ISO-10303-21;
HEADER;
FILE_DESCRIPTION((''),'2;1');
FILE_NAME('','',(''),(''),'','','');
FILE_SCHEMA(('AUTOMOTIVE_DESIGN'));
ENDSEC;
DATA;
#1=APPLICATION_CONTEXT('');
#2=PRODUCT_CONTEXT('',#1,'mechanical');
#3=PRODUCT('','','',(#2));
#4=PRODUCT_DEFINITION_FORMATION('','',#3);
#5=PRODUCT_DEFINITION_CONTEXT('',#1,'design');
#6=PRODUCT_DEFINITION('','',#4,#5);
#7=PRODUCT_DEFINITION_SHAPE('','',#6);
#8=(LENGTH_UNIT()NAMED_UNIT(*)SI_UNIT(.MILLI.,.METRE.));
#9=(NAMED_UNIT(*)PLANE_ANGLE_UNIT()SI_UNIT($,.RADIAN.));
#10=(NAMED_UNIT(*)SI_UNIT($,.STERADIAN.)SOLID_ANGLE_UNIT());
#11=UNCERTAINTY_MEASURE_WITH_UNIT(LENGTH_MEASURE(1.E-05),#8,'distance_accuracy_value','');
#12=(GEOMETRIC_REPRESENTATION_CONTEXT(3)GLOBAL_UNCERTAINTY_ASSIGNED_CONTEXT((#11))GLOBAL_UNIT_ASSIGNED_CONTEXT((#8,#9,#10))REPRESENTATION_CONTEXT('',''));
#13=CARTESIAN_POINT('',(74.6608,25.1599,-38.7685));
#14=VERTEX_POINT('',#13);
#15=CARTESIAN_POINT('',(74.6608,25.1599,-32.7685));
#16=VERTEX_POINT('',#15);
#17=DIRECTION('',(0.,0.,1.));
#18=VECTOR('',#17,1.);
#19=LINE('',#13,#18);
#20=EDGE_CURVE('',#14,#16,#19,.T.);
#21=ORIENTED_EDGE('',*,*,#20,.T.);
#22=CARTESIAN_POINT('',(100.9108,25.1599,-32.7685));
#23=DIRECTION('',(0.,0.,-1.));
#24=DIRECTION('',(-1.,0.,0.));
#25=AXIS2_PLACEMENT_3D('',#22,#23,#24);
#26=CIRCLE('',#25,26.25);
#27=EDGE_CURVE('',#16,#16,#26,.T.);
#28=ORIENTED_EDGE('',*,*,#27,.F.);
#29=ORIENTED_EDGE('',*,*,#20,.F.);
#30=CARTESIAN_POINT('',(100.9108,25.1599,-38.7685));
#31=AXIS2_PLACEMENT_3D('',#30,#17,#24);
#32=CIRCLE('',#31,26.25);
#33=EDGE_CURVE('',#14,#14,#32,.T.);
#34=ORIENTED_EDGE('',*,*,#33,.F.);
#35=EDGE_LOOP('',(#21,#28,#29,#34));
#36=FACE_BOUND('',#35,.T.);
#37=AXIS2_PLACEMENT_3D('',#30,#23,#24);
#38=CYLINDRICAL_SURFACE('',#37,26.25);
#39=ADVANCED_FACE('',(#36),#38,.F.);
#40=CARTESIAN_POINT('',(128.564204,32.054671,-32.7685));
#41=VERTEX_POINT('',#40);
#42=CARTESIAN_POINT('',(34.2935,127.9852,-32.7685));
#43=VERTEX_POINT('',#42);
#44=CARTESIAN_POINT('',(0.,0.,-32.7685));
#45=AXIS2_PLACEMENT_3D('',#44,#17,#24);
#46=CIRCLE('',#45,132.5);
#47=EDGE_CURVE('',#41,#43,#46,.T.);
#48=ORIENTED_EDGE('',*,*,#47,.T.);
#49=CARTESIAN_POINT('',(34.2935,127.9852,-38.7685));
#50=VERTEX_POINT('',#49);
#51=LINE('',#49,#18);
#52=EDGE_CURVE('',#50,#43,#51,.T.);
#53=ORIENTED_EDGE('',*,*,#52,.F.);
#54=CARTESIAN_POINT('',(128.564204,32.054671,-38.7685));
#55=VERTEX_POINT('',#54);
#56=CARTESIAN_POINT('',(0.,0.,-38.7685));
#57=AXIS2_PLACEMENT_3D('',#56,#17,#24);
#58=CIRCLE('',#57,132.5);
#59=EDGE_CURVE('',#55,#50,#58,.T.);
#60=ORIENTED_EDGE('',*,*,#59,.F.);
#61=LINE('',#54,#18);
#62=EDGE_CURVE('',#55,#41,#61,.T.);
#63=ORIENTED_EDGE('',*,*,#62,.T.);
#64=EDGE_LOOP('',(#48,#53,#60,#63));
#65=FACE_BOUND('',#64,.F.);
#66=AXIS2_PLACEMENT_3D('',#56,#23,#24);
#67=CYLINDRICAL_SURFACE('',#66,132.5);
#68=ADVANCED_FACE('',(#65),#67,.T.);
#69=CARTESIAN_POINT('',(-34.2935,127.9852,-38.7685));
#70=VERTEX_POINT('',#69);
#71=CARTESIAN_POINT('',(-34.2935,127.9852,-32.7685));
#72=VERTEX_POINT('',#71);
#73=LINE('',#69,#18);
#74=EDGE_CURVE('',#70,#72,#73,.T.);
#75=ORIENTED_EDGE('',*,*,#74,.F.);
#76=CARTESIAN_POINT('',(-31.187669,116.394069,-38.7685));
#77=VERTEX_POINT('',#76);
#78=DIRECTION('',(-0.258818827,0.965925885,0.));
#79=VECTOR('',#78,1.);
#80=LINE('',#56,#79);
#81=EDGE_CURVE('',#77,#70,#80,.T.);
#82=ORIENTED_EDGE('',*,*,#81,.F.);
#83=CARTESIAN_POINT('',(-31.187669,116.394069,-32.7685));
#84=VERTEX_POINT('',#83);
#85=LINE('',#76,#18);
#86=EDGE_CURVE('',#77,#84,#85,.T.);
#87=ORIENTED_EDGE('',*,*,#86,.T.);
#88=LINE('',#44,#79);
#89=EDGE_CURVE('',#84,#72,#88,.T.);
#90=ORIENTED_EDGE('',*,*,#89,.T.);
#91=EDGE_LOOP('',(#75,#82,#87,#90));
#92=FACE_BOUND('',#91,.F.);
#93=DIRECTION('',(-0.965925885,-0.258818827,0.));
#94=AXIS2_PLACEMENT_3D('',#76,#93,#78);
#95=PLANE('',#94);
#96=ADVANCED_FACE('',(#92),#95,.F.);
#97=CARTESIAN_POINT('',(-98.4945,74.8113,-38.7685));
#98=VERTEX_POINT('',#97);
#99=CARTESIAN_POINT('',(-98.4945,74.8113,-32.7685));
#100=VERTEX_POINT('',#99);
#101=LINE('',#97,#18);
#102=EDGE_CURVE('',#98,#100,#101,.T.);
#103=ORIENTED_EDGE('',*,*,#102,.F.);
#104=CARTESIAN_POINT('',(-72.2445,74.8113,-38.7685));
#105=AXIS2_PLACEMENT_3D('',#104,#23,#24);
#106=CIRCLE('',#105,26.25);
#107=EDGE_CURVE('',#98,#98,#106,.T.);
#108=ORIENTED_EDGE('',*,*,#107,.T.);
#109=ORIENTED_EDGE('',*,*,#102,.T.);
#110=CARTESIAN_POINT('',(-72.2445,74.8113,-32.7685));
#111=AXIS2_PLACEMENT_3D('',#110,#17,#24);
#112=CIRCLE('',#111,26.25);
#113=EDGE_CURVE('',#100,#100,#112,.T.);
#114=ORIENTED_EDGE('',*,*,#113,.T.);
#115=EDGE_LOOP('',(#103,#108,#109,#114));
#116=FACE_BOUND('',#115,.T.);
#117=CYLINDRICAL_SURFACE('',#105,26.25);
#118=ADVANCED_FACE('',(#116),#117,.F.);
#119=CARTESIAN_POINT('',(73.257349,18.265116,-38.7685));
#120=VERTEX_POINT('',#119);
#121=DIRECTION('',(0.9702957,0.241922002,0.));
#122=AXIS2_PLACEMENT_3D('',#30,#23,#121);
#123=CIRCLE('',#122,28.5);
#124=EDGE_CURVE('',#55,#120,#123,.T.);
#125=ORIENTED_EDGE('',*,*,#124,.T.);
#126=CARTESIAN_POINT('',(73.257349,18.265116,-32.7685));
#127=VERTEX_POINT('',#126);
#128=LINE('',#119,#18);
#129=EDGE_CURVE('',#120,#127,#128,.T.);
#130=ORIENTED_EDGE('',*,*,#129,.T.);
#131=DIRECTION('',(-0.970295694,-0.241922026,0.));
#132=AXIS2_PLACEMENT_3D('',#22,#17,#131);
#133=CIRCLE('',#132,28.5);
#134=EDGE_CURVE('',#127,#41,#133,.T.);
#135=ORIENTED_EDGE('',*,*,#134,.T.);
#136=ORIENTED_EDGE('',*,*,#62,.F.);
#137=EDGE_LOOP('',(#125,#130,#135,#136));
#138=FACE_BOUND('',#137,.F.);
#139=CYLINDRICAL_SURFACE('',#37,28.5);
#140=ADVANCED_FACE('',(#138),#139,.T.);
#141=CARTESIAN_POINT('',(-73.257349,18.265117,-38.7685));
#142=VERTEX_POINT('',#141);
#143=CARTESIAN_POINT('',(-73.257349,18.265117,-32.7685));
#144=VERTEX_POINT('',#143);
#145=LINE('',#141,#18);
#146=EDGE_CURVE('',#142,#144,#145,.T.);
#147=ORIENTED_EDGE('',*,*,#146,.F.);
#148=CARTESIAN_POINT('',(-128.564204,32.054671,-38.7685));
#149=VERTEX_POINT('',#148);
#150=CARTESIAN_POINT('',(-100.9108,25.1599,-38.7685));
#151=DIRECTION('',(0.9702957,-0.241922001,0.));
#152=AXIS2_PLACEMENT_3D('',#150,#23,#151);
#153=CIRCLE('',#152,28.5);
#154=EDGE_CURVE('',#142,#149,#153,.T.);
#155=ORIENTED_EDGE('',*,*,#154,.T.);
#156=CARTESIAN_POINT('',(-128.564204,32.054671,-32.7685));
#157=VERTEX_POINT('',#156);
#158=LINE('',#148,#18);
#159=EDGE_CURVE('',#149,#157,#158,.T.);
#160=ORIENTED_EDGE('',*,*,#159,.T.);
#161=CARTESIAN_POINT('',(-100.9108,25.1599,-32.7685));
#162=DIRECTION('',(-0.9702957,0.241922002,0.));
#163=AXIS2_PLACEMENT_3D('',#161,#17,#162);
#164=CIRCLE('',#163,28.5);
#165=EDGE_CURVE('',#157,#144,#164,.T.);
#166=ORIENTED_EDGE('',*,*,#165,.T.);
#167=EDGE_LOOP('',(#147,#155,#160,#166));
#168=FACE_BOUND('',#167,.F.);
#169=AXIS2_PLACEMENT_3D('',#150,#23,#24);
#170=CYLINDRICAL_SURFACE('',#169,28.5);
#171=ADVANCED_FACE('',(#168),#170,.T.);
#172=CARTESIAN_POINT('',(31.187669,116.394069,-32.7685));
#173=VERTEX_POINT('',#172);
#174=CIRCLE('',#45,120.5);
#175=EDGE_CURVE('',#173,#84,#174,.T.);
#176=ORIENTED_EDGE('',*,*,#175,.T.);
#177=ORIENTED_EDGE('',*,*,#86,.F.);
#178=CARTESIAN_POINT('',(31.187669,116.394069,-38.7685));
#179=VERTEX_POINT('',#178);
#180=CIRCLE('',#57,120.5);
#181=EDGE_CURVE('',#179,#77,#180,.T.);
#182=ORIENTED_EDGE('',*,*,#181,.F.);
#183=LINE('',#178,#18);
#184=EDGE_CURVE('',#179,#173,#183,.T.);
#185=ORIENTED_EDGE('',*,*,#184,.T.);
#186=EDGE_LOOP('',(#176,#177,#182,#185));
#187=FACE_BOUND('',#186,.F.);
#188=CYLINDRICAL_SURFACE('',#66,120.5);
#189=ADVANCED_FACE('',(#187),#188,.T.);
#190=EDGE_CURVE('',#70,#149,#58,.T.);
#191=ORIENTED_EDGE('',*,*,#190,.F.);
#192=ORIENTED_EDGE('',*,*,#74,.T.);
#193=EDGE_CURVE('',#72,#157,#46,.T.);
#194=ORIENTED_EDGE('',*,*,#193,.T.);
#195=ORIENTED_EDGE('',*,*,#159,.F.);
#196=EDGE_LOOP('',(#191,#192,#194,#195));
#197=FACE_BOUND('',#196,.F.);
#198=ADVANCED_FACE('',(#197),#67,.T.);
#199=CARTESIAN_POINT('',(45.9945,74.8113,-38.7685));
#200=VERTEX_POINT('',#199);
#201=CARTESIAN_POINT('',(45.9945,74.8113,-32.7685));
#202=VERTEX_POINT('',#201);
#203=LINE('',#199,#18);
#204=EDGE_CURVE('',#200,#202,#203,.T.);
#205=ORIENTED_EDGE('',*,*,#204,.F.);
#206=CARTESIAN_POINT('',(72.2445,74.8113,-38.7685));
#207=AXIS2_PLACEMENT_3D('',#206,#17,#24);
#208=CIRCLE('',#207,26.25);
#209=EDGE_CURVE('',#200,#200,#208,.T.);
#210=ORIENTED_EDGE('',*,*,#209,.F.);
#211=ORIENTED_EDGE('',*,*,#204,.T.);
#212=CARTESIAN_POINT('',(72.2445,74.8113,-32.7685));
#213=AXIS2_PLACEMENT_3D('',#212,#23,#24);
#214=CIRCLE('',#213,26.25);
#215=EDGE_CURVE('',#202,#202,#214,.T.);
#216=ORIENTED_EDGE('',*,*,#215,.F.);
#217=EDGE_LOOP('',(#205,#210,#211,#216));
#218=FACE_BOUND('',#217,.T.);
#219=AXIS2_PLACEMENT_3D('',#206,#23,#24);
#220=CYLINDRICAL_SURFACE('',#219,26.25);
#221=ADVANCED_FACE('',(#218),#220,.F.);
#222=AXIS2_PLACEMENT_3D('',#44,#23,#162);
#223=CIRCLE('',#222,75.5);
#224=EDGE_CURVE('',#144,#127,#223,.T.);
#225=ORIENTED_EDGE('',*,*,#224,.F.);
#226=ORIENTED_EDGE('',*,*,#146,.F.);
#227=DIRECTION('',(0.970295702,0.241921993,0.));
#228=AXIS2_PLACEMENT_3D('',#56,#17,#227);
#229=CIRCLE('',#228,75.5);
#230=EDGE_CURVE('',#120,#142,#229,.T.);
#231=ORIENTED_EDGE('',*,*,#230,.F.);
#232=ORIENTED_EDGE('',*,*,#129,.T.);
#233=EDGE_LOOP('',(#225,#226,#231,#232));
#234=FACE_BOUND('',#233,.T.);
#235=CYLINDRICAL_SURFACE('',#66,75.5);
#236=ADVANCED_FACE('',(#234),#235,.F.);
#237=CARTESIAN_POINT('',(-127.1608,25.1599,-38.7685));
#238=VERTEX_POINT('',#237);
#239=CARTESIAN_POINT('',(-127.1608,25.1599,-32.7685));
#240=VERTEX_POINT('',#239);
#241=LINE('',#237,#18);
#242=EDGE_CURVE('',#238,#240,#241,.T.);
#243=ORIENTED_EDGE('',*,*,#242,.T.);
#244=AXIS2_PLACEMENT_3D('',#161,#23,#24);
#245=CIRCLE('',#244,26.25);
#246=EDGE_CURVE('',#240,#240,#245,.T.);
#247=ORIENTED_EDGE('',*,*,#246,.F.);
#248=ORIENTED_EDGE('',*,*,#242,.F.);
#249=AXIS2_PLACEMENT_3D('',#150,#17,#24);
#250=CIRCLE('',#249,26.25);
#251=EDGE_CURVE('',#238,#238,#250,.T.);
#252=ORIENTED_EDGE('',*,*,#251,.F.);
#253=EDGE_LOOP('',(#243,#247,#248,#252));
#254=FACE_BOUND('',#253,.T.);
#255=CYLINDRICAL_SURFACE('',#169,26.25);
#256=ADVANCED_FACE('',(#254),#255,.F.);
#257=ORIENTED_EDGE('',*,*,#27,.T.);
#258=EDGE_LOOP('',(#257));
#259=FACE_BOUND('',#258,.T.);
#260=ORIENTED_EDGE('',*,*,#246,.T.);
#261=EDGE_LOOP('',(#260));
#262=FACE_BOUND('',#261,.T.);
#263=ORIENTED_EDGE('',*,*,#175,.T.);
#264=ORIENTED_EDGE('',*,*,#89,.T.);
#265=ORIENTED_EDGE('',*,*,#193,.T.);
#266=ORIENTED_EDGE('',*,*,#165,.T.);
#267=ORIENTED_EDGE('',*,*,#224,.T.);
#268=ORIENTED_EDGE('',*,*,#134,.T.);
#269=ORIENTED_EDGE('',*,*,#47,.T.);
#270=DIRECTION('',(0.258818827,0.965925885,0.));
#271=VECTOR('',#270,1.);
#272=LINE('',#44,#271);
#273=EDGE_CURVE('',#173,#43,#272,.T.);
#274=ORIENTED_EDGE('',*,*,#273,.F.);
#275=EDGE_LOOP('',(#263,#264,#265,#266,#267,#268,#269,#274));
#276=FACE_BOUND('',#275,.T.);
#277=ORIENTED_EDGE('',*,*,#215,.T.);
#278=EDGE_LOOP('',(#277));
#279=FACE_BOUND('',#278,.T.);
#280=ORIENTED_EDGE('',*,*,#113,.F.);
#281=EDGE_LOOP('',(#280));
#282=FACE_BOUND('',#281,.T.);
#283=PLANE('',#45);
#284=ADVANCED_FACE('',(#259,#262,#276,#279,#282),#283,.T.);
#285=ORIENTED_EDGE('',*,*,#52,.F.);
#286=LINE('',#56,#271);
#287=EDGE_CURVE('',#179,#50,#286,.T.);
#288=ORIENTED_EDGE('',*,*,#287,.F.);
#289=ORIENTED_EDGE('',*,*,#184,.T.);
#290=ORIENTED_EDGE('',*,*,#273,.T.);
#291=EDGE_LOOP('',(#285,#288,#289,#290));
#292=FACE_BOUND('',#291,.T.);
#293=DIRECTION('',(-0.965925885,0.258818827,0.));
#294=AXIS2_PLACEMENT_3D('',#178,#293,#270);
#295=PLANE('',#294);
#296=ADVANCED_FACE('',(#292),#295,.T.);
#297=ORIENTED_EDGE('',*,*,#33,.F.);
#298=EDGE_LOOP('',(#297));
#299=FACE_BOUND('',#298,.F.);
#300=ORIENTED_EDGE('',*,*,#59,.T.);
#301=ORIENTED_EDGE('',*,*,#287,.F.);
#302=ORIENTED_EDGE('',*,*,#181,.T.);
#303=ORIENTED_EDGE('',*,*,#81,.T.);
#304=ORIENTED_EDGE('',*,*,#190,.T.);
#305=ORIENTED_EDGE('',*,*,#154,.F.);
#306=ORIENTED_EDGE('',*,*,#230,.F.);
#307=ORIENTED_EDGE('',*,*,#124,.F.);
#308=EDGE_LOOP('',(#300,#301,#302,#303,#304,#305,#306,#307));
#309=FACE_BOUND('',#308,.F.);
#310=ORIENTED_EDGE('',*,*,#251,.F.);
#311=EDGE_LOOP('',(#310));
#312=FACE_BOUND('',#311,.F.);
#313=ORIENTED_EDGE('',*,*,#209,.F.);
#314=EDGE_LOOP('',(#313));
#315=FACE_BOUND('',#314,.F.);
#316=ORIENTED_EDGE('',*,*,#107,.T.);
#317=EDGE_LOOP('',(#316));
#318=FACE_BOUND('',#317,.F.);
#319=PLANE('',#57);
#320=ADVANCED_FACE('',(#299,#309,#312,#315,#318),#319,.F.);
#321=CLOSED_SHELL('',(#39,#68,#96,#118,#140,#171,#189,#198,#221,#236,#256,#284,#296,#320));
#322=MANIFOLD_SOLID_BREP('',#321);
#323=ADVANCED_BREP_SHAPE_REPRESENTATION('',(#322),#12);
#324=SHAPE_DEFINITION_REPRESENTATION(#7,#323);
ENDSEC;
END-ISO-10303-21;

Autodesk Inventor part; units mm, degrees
ref_plane "YZ Plane" through (0, 0, 0) normal (1, 0, 0) x (0, 1, 0)
ref_plane "XZ Plane" through (0, 0, 0) normal (0, 1, 0) x (-1, 0, 0)
ref_plane "РабПлоскость2" through (0, 0, -38.7685) normal (0, 0, 1) x (-1, 0, 0)
sketch "Эскиз2" plane through (0, 0, -38.7685) normal (0, 0, 1) x (-1, 0, 0)
  line L0 (0, 0) -> (0, -166.5002) construction
  circle A0 centre (72.2445, -74.8113) radius 26 construction
  circle A1 centre (100.9108, -25.1599) radius 26 construction
  circle A2 centre (-72.2445, -74.8113) radius 26 construction
  circle A3 centre (-100.9108, -25.1599) radius 26 construction
  circle A4 centre (72.2445, -74.8113) radius 26.25
  circle A5 centre (100.9108, -25.1599) radius 26.25
  circle A6 centre (-72.2445, -74.8113) radius 26.25
  circle A7 centre (-100.9108, -25.1599) radius 26.25
  circle A8 centre (0, 0) radius 132.5 projected
  circle A9 centre (0, 0) radius 75.5
  circle A10 centre (100.9108, -25.1599) radius 28.5
  circle A11 centre (-100.9108, -25.1599) radius 28.5
  circle A12 centre (0, 0) radius 120.5
  line L1 (0, 0) -> (-34.2935, -127.9852)
  line L2 (0, 0) -> (34.2935, -127.9852)
  point P0 (-128.5642, -32.0547)
  point P1 (128.5642, -32.0547)
  point P2 (73.2573, -18.2651)
  point P3 (-73.2573, -18.2651)
  point P4 (-31.1877, -116.3941)
  point P5 (31.1877, -116.3941)
  dimension "d0" = 52.5
  dimension "d2" = 151
  dimension "d5" = 30
  dimension "d6" = 12
extrude "Выдавливание1" add sketch "Эскиз2" along normal blind 6 contours A4 A12 A10 A8 L2 | A4 A12 L2 A9 A10 | A12 A5 A10 | A10 A12 A5 | A12 L1 A9 L2 | L1 A8 A11 A12 A6 | A12 A6 A11 A9 L1 | A11 A12 A7 | A11 A12 A7
properties part number "Диск_фиксатор"
